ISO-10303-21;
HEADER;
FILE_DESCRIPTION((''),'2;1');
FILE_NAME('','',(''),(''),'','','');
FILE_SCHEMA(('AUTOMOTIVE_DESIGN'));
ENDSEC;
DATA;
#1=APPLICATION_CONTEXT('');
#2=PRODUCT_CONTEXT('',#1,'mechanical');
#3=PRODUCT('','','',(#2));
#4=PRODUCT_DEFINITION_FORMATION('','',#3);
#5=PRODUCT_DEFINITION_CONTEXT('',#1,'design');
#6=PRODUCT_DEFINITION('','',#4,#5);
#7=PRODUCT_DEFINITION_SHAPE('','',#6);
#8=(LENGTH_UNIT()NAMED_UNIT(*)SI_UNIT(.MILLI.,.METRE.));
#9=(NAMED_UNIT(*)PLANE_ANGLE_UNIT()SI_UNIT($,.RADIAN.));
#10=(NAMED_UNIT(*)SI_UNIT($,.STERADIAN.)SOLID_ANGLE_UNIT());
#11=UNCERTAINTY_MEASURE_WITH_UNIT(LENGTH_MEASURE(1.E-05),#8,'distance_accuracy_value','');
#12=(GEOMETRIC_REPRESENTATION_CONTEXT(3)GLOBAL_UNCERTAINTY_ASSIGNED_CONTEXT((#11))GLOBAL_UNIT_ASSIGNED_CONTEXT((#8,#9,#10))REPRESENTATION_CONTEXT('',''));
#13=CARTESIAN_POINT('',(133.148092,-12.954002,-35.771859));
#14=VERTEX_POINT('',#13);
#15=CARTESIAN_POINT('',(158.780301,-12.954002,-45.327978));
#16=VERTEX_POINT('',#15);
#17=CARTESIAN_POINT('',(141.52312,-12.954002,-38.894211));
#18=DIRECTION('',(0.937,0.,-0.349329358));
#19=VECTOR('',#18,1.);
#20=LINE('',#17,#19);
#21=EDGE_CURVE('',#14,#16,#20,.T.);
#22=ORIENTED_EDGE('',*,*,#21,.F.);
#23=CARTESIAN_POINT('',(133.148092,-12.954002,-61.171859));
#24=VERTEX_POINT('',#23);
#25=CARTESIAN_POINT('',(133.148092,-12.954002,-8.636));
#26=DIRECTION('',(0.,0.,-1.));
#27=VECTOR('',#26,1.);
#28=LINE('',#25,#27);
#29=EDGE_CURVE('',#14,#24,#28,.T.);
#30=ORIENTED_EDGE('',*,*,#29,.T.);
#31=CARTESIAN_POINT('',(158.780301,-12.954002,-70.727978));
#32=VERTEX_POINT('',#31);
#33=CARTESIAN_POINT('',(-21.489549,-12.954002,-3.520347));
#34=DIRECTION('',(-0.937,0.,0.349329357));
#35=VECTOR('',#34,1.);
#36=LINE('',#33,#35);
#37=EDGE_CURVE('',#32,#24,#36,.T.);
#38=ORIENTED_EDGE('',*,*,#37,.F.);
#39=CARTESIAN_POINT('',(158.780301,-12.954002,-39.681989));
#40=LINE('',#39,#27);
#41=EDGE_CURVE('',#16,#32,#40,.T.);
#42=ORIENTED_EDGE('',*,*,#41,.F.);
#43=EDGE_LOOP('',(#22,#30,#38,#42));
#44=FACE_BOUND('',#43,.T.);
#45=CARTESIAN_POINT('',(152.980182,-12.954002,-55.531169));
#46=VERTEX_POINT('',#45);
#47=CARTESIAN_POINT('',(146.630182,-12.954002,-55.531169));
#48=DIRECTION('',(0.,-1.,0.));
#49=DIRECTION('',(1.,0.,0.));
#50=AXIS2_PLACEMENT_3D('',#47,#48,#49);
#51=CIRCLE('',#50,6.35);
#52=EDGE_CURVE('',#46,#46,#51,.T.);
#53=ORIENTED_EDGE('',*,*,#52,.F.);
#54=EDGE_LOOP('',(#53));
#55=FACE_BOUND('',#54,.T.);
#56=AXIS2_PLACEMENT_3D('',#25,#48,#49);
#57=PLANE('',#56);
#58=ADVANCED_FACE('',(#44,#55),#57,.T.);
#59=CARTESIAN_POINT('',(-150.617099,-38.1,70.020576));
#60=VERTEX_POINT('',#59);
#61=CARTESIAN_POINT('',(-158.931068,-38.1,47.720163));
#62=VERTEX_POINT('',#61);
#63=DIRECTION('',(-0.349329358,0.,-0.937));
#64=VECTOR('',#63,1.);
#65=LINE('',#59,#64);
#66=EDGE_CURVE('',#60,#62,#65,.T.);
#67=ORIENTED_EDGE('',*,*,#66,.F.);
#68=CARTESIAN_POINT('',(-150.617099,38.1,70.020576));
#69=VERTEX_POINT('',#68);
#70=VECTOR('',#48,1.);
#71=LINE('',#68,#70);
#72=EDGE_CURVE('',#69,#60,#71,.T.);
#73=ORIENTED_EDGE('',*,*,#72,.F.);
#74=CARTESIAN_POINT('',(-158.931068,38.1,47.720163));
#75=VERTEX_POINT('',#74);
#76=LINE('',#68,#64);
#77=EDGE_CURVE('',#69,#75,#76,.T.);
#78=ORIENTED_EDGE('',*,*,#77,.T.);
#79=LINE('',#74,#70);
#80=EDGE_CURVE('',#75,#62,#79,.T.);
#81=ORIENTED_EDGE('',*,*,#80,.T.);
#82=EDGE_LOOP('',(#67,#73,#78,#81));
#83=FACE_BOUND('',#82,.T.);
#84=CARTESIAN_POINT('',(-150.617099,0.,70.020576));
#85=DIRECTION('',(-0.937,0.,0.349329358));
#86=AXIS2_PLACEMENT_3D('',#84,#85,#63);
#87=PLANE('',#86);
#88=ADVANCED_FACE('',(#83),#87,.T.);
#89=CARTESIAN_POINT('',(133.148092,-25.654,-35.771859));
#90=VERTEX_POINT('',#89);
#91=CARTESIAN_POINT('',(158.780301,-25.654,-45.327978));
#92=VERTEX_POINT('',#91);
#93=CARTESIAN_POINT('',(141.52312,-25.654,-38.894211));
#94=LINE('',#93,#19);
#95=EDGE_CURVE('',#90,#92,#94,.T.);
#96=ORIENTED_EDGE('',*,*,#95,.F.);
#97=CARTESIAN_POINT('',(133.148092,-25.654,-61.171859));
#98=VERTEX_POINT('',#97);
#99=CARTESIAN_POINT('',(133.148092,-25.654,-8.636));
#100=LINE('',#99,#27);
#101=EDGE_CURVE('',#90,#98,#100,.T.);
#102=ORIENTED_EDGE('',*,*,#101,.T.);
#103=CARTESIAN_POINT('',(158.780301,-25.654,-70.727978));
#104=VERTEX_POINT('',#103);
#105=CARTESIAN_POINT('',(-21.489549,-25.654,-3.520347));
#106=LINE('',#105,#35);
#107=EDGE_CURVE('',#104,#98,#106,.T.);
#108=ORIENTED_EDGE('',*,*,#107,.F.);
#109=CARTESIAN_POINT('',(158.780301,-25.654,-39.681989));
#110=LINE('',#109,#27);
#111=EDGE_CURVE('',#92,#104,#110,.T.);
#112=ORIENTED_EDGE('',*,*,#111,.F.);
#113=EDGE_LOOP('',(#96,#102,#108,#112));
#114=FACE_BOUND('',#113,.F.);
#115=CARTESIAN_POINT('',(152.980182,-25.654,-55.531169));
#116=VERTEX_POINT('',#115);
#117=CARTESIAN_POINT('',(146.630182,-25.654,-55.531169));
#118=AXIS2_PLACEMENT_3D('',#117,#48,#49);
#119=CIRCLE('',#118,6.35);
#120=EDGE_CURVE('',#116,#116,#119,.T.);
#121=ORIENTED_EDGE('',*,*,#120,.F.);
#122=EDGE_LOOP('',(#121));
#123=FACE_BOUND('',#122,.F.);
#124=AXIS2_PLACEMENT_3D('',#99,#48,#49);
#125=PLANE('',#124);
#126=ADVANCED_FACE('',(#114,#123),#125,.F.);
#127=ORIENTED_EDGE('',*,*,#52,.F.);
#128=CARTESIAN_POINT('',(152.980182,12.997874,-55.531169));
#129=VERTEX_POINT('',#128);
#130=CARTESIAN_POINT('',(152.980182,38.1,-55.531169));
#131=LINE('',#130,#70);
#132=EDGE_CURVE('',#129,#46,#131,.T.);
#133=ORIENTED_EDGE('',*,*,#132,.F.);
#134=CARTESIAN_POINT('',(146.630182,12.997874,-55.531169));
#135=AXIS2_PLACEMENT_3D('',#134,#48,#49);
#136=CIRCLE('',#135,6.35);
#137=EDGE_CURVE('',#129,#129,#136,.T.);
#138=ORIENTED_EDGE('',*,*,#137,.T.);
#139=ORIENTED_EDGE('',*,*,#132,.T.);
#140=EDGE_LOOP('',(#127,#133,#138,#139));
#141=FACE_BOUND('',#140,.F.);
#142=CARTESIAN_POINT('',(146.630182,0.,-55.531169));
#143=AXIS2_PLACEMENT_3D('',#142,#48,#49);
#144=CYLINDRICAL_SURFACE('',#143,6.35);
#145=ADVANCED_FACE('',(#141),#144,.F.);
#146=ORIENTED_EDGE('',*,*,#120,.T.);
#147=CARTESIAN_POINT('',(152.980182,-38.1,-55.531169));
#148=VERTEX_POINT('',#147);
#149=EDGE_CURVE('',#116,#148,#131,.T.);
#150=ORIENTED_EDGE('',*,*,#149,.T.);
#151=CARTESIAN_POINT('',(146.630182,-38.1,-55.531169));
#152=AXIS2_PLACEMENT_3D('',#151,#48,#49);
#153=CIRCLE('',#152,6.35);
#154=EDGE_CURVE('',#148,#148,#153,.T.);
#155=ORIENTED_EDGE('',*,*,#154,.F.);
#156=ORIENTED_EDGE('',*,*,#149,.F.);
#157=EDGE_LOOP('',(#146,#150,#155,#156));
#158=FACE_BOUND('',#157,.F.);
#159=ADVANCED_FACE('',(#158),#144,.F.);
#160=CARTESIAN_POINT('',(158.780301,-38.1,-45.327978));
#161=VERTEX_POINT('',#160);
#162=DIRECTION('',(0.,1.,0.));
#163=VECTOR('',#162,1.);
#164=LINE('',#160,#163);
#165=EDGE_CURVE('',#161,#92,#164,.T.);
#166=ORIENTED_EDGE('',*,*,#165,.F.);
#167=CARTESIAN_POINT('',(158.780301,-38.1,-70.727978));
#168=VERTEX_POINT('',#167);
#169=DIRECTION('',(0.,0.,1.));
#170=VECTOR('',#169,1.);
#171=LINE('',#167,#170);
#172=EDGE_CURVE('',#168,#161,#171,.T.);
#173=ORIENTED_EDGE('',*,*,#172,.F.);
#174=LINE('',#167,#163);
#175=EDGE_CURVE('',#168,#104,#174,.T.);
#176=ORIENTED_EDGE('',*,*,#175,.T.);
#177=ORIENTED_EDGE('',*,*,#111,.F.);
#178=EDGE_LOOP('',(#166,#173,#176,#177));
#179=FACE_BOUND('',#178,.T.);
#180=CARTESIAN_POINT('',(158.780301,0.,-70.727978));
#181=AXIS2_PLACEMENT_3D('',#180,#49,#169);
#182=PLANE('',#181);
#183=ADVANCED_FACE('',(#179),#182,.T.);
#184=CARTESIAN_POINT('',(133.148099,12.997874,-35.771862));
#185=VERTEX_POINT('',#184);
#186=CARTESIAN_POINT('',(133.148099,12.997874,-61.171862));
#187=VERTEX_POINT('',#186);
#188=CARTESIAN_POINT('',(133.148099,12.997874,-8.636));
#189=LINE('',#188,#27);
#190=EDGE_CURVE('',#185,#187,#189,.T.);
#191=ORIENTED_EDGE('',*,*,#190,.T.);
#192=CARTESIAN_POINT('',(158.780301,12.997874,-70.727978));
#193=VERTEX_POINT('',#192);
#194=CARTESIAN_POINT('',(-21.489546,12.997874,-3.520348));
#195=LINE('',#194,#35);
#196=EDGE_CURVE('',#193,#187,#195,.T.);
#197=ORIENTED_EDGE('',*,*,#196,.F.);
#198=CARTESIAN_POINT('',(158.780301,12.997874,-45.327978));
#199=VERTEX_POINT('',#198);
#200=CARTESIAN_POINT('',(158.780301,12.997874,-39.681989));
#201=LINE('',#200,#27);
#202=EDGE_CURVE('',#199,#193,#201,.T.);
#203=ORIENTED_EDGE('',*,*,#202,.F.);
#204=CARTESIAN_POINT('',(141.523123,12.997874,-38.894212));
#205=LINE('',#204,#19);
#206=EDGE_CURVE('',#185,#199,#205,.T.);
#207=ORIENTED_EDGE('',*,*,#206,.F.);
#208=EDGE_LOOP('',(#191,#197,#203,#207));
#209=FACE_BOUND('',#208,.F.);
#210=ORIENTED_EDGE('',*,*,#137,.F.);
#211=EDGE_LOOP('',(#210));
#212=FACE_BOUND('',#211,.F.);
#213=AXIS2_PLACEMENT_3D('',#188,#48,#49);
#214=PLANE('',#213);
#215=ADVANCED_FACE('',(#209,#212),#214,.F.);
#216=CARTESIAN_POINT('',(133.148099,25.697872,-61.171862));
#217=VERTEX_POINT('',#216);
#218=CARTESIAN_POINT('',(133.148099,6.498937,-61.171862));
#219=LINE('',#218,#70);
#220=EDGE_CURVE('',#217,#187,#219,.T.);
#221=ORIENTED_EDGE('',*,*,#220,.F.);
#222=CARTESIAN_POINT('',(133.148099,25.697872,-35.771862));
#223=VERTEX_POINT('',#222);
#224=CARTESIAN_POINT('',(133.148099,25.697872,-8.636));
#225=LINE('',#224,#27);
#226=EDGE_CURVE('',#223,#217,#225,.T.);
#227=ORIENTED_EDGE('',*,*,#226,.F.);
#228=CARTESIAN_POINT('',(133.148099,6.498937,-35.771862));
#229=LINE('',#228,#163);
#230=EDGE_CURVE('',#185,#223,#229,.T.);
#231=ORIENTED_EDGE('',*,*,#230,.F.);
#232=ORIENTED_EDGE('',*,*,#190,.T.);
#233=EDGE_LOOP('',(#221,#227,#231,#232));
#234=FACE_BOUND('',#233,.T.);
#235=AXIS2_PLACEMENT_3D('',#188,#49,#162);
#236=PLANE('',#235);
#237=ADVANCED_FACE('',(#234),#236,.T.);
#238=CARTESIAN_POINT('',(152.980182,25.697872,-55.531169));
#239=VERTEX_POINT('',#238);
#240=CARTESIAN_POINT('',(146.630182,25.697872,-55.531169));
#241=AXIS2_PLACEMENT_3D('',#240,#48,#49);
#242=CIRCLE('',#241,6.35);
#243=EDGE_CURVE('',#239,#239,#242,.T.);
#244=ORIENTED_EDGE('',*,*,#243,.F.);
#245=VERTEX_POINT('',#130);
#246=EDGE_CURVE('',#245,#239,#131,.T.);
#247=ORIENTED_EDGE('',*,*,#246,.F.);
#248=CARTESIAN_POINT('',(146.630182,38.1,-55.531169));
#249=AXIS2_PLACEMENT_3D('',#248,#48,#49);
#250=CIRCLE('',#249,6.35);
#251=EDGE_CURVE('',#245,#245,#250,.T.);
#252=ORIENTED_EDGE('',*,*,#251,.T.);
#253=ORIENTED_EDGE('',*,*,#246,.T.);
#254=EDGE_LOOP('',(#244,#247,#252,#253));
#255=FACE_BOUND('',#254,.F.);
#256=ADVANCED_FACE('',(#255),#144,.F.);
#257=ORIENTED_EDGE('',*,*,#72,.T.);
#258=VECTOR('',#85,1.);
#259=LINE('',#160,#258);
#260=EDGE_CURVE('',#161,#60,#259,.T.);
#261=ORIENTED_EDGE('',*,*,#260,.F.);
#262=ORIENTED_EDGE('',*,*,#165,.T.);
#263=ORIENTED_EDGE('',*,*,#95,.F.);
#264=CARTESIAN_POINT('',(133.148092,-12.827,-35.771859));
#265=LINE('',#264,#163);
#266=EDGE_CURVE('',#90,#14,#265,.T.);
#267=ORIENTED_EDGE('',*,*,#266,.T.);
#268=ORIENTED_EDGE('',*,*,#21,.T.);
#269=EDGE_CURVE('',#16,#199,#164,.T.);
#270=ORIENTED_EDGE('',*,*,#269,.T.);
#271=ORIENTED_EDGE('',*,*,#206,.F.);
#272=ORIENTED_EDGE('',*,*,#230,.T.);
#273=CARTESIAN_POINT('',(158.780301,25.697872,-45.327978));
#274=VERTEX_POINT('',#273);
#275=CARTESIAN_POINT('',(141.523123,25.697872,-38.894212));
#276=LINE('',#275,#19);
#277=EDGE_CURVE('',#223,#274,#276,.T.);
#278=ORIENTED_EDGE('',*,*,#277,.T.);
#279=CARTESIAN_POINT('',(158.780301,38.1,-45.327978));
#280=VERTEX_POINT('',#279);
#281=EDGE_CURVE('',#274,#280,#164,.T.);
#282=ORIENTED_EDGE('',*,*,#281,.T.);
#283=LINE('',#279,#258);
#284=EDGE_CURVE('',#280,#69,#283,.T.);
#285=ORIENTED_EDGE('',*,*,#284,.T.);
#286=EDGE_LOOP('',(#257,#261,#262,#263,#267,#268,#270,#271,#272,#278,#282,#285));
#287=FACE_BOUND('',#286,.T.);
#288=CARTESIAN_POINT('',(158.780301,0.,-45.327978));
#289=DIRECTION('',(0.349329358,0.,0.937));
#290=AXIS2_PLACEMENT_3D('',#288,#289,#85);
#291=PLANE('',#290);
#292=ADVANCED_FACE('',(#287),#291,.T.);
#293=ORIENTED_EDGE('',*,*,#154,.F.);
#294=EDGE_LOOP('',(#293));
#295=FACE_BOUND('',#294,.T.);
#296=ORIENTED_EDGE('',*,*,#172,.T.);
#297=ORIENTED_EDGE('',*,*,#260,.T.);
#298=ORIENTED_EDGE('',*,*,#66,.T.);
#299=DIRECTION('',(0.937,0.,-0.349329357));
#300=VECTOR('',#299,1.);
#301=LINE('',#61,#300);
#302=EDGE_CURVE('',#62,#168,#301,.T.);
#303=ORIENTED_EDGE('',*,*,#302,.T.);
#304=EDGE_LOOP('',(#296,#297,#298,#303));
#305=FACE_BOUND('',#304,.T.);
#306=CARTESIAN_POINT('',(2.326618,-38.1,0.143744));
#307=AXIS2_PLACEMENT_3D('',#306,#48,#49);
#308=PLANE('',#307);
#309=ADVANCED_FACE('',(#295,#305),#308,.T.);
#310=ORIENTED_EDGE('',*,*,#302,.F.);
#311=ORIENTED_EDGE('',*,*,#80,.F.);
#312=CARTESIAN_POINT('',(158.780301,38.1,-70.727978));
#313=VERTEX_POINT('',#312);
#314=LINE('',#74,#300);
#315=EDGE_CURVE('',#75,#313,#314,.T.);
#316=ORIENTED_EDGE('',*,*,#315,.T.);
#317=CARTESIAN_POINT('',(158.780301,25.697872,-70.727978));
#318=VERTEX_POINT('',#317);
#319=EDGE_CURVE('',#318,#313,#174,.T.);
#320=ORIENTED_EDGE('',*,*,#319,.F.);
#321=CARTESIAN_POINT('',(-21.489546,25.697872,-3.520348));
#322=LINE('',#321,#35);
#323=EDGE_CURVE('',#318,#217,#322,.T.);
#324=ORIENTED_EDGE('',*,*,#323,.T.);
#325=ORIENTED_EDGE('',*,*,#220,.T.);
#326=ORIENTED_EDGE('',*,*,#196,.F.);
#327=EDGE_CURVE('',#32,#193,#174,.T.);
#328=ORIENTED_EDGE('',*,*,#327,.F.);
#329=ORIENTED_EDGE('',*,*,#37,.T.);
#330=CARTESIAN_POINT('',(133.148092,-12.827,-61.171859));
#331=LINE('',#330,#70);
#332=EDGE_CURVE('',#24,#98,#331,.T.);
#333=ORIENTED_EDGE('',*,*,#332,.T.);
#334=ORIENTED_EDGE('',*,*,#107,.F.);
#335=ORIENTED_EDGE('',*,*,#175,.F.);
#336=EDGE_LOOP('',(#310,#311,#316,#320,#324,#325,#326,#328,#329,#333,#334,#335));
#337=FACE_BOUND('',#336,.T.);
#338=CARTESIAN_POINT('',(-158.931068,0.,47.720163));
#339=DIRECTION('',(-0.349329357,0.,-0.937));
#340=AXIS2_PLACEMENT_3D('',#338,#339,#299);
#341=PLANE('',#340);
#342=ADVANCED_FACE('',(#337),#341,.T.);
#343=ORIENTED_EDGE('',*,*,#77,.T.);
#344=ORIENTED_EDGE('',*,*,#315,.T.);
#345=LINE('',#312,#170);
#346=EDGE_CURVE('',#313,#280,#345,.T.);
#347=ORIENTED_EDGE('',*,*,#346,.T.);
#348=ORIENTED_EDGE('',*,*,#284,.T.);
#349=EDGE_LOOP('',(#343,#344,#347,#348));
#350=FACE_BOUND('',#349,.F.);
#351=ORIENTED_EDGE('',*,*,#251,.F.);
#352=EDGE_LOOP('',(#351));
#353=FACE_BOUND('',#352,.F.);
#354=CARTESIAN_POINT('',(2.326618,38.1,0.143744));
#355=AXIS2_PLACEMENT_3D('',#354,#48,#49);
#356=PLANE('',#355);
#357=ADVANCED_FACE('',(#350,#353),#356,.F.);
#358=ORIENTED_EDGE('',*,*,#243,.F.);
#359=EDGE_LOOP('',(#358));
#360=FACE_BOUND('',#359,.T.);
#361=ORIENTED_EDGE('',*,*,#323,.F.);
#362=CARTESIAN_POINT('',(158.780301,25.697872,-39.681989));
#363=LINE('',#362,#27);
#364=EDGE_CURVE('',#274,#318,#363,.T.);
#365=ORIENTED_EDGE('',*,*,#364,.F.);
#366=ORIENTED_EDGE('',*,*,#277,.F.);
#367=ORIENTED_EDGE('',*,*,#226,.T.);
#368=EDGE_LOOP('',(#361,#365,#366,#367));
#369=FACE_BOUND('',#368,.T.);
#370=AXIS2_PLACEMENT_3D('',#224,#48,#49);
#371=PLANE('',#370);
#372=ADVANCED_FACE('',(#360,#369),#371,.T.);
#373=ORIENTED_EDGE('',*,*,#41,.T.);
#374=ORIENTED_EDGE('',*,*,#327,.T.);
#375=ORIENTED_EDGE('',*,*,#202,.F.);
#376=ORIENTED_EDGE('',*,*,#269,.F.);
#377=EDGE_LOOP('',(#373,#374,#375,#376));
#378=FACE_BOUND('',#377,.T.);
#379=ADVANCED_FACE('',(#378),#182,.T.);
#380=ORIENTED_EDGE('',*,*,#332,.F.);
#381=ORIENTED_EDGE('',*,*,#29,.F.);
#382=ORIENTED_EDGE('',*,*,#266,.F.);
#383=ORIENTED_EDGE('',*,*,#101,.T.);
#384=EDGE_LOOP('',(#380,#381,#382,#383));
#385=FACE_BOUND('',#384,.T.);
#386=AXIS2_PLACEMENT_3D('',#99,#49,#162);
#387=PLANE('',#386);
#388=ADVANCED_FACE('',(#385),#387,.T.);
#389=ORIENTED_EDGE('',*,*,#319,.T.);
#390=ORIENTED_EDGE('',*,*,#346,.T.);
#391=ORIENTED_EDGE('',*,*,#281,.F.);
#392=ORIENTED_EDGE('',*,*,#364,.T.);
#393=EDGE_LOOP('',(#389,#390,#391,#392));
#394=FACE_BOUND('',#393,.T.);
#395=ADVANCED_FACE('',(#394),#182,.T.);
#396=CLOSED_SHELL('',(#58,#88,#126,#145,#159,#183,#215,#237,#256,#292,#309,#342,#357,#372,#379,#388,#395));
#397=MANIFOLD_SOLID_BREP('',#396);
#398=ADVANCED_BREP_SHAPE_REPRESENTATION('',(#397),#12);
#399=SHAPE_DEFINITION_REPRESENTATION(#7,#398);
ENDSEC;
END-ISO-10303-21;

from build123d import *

# Parameters (mm, degrees)
F1_DEPTH = 38.1
F2_W     = 30.48
F2_H     = 12.699997
F3_DEPTH = 72.898
F4_R     = 6.35
F5_DEPTH = 38.1


with BuildPart() as f1:
    # F0 (on Front) → F1 (new body, symmetric)
    with BuildSketch(Plane.XZ):
        Polygon((190.276301, -36.691978), (-119.121099, 78.656576), (-127.435068, 56.356163), (190.276301, -62.091978), align=None)
    extrude(amount=F1_DEPTH, both=True)

    # F2 (on Top) → F3 (cut)
    with BuildSketch(Plane.XY):
        with Locations((179.884099, 19.347873)):
            Rectangle(F2_W, F2_H)
        with Locations((179.884092, -19.304001)):
            Rectangle(F2_W, F2_H)
    extrude(amount=-F3_DEPTH, mode=Mode.SUBTRACT)

    # F4 (on Front) → F5 (cut, symmetric)
    with BuildSketch(Plane.XZ):
        with Locations((178.126182, -46.895169)):
            Circle(F4_R)
    extrude(amount=F5_DEPTH, both=True, mode=Mode.SUBTRACT)


with BuildPart() as f1_1:
    # F6: moved
    add(f1.part.moved(Location((-31.496, 0, -8.636))))


solid = f1_1.part
